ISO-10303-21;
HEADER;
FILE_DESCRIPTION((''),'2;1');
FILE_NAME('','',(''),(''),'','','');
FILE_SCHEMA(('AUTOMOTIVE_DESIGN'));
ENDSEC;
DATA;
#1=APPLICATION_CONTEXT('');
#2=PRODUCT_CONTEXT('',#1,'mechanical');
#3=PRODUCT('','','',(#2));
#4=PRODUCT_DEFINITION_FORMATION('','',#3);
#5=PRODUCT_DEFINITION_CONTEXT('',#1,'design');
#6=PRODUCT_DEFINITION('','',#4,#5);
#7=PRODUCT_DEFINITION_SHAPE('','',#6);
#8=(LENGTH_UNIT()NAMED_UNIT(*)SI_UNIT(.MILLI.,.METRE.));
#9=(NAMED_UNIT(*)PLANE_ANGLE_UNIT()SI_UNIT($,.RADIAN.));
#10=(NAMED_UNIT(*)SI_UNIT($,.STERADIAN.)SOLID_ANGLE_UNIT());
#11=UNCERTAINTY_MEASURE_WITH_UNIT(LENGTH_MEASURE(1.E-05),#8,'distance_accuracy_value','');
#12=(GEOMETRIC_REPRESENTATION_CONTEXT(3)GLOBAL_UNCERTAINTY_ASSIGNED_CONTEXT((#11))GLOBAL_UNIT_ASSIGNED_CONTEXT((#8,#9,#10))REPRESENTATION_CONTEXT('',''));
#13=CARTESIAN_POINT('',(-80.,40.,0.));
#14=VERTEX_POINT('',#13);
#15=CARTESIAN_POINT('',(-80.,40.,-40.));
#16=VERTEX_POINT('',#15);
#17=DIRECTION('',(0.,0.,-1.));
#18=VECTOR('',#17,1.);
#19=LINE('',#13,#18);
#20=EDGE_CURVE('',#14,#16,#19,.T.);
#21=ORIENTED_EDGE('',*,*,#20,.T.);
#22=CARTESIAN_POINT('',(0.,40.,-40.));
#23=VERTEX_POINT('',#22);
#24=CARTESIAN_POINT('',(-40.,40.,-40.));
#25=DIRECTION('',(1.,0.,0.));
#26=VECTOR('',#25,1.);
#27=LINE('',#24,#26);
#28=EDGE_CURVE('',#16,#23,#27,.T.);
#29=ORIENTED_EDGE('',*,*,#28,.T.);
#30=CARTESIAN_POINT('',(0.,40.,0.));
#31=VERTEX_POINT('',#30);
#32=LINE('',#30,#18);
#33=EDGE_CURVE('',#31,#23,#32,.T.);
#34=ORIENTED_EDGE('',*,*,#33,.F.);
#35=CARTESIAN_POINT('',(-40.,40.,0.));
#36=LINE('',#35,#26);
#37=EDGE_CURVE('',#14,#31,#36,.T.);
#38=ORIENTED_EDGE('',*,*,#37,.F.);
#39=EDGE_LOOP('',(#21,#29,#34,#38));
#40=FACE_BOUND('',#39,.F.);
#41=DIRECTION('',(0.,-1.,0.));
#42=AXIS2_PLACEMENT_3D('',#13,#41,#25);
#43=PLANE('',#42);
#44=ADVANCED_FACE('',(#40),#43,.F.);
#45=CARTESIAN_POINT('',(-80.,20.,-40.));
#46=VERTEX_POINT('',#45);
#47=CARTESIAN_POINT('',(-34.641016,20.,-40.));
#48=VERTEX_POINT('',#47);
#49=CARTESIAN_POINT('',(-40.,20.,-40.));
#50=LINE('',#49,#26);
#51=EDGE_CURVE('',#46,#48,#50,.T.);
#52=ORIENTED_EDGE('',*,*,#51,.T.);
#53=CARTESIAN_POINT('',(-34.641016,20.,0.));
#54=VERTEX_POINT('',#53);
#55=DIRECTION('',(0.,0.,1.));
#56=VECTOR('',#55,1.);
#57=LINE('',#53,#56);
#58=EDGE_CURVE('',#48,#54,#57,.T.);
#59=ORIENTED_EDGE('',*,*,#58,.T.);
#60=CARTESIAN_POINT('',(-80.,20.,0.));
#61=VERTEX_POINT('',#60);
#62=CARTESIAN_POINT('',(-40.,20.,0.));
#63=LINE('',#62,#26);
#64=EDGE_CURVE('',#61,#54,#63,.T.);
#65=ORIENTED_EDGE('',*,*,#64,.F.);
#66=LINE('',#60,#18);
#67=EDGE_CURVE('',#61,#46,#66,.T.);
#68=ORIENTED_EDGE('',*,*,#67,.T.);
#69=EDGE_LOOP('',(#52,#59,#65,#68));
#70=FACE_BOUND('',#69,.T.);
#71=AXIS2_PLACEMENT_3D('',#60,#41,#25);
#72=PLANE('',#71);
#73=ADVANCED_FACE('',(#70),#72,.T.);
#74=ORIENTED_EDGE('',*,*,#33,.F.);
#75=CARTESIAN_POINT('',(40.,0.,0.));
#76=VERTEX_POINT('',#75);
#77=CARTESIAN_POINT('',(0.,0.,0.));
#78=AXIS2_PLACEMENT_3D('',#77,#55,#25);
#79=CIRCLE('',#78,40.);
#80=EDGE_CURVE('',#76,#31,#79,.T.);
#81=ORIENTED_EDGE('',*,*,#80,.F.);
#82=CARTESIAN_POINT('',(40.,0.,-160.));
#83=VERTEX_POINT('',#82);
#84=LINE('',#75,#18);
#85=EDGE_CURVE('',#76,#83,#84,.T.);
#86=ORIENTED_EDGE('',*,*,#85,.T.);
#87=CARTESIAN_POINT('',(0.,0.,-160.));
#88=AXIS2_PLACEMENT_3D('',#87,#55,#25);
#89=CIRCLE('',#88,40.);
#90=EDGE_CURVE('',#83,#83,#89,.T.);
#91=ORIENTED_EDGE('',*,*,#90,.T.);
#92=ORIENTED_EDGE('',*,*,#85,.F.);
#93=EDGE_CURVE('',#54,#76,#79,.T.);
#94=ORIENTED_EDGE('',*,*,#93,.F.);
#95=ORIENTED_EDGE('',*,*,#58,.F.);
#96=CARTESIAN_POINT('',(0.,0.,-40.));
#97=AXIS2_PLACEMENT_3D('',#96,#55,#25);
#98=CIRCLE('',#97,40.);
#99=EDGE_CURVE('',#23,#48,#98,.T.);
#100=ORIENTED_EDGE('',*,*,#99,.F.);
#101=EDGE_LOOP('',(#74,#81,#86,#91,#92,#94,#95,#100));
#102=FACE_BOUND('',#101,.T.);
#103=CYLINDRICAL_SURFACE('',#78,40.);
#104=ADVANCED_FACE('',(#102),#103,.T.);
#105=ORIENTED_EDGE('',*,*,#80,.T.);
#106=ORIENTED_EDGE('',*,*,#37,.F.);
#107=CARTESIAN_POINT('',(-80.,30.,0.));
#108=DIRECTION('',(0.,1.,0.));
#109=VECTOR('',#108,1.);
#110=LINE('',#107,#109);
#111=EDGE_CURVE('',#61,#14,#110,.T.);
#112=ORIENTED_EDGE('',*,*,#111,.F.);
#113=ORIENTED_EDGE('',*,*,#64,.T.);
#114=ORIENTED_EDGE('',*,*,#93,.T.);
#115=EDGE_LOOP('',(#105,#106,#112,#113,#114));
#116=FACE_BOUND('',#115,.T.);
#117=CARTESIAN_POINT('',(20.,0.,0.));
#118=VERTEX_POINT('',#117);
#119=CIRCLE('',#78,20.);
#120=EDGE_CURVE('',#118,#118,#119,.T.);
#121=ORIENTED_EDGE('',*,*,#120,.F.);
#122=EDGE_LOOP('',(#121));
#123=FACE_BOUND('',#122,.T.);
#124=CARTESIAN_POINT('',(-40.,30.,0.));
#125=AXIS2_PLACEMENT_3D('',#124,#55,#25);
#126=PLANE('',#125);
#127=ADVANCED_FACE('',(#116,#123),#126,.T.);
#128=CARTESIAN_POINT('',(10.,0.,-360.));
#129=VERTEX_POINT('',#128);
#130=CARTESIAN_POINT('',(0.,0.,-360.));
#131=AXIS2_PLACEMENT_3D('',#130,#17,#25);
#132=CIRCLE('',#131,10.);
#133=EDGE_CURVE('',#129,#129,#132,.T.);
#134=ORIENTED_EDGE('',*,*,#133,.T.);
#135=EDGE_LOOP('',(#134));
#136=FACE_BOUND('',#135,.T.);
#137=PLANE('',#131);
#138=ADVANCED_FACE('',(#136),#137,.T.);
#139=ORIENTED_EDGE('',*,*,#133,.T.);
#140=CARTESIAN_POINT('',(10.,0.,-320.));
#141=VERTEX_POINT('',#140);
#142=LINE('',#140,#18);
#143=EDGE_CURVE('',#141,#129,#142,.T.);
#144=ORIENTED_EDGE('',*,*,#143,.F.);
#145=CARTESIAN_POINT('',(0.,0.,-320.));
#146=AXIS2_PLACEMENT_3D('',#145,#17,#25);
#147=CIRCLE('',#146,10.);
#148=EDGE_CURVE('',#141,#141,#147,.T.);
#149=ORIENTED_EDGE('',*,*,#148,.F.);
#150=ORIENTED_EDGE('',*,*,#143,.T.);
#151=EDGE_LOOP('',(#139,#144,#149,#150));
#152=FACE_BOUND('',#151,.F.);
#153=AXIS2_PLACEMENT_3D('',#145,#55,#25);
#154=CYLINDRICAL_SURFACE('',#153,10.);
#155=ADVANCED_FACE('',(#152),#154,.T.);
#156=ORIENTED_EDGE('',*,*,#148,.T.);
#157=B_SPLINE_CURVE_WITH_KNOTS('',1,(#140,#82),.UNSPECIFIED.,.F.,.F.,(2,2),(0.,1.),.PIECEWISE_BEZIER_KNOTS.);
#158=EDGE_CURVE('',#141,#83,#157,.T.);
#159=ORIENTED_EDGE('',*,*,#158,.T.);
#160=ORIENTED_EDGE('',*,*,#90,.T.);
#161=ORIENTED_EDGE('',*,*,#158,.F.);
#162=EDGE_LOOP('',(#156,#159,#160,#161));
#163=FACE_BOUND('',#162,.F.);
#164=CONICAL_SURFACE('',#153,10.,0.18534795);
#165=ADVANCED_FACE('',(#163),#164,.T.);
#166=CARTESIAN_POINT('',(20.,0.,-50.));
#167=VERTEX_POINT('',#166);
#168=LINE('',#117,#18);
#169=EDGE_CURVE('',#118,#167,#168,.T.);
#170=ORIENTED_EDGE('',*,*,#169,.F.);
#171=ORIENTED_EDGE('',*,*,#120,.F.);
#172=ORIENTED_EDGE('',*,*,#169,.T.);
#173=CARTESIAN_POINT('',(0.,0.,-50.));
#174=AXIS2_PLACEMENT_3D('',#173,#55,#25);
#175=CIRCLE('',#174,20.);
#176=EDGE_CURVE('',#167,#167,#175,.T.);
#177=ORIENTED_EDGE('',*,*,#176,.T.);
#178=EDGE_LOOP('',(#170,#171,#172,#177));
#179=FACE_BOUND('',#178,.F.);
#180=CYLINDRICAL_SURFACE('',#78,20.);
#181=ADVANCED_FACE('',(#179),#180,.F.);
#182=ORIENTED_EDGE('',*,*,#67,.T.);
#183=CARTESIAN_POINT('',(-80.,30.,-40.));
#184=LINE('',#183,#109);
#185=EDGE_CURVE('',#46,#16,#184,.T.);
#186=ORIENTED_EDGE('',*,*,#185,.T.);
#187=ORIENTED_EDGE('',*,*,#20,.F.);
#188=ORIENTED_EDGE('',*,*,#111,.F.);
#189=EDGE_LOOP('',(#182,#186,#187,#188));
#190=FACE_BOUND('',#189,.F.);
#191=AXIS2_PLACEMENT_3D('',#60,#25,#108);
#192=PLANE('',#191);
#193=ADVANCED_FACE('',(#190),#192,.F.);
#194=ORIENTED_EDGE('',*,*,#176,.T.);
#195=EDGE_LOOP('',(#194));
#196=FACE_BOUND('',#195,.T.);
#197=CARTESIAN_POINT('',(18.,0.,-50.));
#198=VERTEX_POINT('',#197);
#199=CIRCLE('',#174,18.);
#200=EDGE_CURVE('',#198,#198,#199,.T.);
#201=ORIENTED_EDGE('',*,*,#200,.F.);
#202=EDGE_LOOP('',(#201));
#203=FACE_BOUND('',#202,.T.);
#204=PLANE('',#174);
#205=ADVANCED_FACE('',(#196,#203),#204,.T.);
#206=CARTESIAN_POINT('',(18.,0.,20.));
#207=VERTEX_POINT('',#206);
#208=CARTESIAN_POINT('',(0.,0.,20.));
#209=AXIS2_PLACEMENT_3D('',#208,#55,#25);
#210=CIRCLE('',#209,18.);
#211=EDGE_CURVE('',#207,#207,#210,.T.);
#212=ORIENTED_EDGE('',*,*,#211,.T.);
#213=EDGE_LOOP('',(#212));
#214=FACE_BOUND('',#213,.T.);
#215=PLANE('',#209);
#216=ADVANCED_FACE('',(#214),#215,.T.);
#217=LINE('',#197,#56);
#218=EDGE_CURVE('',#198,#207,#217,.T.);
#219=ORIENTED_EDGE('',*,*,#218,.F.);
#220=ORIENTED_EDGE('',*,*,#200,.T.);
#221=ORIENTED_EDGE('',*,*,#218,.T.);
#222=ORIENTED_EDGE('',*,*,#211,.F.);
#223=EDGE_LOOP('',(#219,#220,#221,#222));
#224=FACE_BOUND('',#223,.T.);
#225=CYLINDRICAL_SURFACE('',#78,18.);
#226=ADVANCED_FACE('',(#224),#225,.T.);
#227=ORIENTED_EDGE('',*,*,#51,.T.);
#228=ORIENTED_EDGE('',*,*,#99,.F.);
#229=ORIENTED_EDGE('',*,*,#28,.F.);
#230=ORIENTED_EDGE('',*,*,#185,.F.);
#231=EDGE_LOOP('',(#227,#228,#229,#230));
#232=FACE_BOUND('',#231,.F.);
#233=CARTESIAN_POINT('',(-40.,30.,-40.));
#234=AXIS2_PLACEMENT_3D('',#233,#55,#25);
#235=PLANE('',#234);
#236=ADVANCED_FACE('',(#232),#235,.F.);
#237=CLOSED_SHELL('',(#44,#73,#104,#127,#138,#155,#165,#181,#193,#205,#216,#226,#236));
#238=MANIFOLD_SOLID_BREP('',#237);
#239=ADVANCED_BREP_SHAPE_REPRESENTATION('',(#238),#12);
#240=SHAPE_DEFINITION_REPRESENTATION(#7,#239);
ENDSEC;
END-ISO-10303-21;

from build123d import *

# Parameters (mm, degrees)
F0_R      = 40
F1_DEPTH  = 160
F3_R      = 10
F1_FACE_R = 40
F5_DEPTH  = 40
F6_W      = 80
F6_H      = 20
F7_DEPTH  = 40
F8_R      = 18
F9_DEPTH  = 20
F10_R     = 20
F10_R_2   = 18
F11_DEPTH = 50


with BuildPart() as f1:
    # F0 (on Top) → F1 (new body)
    with BuildSketch(Plane.XY):
        Circle(F0_R)
    extrude(amount=-F1_DEPTH)

    # F3 (on offset) → F4 section 0
    with BuildSketch(Plane(origin=(0, 0, -320), x_dir=(1, 0, 0), z_dir=(0, 0, -1))):
        Circle(F3_R)
    # F1_face (on face) → F4 section 1
    with BuildSketch(Plane(origin=(0, 0, -160), x_dir=(1, 0, 0), z_dir=(0, 0, -1))):
        Circle(F1_FACE_R)
    loft()

    # F5 (add): a face of the model
    f5_faces = [f1.faces().sort_by_distance(p)[0] for p in [
        (0, 0, -320),
    ]]
    extrude(f5_faces, amount=F5_DEPTH)

    # F6 (on Top) → F7 (join)
    with BuildSketch(Plane.XY):
        with Locations((-40, 30)):
            Rectangle(F6_W, F6_H)
    extrude(amount=-F7_DEPTH)

    # F8 (on face) → F9 (join)
    with BuildSketch(Plane.XY):
        Circle(F8_R)
    extrude(amount=F9_DEPTH)

    # F10 (on face) → F11 (cut)
    with BuildSketch(Plane.XY):
        Circle(F10_R)
        Circle(F10_R_2, mode=Mode.SUBTRACT)
    extrude(amount=-F11_DEPTH, mode=Mode.SUBTRACT)


solid = f1.part
